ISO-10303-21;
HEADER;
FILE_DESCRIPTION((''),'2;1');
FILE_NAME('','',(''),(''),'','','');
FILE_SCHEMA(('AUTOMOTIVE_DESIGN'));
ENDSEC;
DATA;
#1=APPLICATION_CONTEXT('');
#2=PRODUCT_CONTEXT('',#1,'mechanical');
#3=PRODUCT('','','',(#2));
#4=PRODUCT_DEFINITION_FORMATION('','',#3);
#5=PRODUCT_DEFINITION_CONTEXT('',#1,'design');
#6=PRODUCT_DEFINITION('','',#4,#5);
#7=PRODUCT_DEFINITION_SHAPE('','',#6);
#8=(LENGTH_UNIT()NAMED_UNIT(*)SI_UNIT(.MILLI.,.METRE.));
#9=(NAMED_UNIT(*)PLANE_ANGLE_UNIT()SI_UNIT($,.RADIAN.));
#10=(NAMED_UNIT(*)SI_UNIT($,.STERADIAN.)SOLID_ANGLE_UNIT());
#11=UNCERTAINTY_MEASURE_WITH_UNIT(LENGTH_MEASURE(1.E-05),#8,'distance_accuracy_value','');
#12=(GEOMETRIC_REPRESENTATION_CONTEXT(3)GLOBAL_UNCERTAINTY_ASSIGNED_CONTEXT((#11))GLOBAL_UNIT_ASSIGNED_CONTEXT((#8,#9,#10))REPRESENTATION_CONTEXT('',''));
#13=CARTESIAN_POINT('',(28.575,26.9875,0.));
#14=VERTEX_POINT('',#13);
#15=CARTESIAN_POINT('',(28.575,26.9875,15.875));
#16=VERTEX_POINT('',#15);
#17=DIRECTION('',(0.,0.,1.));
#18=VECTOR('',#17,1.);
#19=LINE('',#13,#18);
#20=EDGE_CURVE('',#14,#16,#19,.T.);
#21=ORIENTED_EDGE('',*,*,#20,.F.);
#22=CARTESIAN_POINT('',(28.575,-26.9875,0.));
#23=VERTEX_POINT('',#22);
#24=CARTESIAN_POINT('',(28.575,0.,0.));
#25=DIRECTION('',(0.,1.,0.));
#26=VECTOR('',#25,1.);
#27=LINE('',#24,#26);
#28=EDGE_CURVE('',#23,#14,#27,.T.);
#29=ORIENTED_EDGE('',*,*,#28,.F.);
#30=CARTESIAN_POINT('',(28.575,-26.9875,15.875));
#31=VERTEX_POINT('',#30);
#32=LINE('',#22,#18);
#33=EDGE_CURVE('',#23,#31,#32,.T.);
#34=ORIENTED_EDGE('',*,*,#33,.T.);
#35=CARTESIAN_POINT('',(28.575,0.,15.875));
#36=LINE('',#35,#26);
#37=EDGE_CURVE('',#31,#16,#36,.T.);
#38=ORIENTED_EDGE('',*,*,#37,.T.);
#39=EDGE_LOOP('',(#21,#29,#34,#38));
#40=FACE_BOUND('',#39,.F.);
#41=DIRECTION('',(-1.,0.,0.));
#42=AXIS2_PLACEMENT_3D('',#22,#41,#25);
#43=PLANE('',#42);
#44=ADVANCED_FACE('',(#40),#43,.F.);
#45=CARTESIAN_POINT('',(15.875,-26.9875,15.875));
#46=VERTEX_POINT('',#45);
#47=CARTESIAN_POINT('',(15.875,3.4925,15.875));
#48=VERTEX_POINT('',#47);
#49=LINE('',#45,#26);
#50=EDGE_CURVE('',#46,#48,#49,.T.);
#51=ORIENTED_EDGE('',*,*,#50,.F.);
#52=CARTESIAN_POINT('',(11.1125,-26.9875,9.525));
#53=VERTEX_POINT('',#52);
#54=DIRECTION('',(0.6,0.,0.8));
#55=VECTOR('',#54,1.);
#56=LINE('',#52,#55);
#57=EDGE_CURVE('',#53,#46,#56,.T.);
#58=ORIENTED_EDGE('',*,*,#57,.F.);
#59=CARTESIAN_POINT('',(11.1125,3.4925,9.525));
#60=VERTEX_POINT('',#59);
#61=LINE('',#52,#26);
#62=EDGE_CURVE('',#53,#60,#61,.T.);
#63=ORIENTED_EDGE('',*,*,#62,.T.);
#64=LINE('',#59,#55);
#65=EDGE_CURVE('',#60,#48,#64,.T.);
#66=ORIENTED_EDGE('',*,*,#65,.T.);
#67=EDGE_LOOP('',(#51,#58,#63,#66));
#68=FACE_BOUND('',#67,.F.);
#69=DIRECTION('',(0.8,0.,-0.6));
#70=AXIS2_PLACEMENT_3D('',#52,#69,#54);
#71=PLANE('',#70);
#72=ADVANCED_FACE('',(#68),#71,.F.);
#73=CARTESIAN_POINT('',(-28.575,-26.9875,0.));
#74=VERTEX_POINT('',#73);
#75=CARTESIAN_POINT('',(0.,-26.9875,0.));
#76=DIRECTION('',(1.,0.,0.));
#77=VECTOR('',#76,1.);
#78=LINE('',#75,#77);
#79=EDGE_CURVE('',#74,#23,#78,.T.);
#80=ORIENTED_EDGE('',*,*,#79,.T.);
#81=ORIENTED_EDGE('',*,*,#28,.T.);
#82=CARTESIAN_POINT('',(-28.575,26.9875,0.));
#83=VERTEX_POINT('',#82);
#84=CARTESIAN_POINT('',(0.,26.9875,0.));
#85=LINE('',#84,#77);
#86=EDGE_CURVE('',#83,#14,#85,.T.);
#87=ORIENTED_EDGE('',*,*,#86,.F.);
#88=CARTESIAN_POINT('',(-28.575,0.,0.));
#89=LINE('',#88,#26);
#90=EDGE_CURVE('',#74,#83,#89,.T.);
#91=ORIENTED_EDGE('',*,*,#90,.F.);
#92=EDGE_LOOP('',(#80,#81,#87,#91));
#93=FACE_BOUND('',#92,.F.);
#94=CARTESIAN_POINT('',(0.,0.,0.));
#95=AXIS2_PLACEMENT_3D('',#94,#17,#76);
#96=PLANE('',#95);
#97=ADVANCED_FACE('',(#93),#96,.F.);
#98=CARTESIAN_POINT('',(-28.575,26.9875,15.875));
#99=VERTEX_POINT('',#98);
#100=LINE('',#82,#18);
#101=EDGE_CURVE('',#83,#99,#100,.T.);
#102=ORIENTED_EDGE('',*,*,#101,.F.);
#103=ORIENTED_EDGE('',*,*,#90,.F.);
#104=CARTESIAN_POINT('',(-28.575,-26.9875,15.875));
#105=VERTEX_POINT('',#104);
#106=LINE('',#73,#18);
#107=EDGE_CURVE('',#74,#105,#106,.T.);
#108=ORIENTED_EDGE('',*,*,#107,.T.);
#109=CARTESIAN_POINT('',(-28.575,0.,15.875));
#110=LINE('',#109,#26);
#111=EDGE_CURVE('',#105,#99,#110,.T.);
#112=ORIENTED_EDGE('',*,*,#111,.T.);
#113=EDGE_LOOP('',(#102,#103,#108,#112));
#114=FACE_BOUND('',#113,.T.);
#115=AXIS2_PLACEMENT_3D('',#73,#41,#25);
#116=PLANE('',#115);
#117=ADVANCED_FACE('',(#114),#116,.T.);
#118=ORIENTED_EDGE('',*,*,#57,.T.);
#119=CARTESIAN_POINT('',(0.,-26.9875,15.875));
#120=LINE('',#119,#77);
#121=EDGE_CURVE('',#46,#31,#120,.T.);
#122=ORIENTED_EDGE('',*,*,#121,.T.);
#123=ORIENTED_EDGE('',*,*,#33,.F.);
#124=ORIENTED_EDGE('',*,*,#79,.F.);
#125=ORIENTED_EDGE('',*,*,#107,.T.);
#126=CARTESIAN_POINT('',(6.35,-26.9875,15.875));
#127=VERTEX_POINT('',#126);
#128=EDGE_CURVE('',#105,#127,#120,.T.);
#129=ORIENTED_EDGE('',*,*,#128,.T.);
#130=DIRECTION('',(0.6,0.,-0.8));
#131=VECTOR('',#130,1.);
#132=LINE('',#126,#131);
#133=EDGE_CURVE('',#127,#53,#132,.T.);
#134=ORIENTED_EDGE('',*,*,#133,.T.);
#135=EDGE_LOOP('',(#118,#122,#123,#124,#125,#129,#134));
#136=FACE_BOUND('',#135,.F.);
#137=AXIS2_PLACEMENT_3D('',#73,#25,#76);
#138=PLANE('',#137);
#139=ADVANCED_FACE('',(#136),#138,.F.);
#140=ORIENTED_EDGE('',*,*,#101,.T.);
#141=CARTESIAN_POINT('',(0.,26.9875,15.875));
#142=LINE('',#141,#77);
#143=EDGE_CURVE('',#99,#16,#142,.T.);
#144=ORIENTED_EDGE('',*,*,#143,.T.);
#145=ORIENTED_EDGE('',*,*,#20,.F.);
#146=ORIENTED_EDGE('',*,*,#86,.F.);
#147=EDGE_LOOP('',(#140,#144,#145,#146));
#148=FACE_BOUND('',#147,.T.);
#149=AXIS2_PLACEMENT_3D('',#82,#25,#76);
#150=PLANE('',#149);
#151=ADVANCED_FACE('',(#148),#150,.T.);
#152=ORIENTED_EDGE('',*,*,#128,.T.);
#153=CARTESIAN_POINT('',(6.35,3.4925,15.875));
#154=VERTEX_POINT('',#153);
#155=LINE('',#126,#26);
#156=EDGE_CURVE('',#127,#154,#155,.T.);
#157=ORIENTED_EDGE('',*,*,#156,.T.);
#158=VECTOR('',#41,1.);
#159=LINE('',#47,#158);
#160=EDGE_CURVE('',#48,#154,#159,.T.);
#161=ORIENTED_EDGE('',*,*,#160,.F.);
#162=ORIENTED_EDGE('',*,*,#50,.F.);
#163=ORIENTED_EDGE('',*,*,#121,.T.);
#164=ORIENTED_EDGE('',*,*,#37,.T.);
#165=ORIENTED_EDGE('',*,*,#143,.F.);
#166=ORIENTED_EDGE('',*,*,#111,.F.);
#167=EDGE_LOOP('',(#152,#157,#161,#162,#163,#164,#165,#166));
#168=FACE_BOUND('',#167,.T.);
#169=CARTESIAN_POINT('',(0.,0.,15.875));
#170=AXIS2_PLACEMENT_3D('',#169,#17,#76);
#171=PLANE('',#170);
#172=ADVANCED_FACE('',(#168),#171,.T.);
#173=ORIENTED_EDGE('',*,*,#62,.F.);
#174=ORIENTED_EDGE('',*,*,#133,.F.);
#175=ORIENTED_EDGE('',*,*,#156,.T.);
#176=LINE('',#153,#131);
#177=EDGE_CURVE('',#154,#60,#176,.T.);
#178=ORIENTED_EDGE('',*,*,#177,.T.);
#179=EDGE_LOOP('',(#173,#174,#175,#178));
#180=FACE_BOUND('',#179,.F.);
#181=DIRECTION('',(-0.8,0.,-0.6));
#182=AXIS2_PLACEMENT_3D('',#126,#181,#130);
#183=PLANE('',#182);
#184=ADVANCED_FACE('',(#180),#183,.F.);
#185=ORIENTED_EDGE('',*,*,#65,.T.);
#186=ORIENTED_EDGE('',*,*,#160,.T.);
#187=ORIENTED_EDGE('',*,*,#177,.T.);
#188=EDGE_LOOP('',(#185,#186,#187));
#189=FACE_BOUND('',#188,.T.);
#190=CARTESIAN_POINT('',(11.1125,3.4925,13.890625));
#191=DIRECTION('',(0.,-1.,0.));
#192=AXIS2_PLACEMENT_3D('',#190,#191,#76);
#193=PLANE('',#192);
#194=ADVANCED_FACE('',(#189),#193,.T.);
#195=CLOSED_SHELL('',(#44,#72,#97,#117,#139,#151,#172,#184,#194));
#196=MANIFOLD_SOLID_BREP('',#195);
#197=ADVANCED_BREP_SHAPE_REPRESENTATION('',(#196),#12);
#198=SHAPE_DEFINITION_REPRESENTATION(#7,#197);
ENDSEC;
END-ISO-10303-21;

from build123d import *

# Parameters (mm, degrees)
F0_W     = 57.15
F0_H     = 53.975
F1_DEPTH = 15.875
F3_DEPTH = 30.48


with BuildPart() as f1:
    # F0 (on Top) → F1 (new body)
    with BuildSketch(Plane.XY):
        Rectangle(F0_W, F0_H)
    extrude(amount=F1_DEPTH)

    # F2 (on face) → F3 (cut)
    with BuildSketch(Plane.XZ.offset(26.9875)):
        Polygon((15.875, 15.875), (6.35, 15.875), (11.1125, 9.525), align=None)
    extrude(amount=-F3_DEPTH, mode=Mode.SUBTRACT)


solid = f1.part
